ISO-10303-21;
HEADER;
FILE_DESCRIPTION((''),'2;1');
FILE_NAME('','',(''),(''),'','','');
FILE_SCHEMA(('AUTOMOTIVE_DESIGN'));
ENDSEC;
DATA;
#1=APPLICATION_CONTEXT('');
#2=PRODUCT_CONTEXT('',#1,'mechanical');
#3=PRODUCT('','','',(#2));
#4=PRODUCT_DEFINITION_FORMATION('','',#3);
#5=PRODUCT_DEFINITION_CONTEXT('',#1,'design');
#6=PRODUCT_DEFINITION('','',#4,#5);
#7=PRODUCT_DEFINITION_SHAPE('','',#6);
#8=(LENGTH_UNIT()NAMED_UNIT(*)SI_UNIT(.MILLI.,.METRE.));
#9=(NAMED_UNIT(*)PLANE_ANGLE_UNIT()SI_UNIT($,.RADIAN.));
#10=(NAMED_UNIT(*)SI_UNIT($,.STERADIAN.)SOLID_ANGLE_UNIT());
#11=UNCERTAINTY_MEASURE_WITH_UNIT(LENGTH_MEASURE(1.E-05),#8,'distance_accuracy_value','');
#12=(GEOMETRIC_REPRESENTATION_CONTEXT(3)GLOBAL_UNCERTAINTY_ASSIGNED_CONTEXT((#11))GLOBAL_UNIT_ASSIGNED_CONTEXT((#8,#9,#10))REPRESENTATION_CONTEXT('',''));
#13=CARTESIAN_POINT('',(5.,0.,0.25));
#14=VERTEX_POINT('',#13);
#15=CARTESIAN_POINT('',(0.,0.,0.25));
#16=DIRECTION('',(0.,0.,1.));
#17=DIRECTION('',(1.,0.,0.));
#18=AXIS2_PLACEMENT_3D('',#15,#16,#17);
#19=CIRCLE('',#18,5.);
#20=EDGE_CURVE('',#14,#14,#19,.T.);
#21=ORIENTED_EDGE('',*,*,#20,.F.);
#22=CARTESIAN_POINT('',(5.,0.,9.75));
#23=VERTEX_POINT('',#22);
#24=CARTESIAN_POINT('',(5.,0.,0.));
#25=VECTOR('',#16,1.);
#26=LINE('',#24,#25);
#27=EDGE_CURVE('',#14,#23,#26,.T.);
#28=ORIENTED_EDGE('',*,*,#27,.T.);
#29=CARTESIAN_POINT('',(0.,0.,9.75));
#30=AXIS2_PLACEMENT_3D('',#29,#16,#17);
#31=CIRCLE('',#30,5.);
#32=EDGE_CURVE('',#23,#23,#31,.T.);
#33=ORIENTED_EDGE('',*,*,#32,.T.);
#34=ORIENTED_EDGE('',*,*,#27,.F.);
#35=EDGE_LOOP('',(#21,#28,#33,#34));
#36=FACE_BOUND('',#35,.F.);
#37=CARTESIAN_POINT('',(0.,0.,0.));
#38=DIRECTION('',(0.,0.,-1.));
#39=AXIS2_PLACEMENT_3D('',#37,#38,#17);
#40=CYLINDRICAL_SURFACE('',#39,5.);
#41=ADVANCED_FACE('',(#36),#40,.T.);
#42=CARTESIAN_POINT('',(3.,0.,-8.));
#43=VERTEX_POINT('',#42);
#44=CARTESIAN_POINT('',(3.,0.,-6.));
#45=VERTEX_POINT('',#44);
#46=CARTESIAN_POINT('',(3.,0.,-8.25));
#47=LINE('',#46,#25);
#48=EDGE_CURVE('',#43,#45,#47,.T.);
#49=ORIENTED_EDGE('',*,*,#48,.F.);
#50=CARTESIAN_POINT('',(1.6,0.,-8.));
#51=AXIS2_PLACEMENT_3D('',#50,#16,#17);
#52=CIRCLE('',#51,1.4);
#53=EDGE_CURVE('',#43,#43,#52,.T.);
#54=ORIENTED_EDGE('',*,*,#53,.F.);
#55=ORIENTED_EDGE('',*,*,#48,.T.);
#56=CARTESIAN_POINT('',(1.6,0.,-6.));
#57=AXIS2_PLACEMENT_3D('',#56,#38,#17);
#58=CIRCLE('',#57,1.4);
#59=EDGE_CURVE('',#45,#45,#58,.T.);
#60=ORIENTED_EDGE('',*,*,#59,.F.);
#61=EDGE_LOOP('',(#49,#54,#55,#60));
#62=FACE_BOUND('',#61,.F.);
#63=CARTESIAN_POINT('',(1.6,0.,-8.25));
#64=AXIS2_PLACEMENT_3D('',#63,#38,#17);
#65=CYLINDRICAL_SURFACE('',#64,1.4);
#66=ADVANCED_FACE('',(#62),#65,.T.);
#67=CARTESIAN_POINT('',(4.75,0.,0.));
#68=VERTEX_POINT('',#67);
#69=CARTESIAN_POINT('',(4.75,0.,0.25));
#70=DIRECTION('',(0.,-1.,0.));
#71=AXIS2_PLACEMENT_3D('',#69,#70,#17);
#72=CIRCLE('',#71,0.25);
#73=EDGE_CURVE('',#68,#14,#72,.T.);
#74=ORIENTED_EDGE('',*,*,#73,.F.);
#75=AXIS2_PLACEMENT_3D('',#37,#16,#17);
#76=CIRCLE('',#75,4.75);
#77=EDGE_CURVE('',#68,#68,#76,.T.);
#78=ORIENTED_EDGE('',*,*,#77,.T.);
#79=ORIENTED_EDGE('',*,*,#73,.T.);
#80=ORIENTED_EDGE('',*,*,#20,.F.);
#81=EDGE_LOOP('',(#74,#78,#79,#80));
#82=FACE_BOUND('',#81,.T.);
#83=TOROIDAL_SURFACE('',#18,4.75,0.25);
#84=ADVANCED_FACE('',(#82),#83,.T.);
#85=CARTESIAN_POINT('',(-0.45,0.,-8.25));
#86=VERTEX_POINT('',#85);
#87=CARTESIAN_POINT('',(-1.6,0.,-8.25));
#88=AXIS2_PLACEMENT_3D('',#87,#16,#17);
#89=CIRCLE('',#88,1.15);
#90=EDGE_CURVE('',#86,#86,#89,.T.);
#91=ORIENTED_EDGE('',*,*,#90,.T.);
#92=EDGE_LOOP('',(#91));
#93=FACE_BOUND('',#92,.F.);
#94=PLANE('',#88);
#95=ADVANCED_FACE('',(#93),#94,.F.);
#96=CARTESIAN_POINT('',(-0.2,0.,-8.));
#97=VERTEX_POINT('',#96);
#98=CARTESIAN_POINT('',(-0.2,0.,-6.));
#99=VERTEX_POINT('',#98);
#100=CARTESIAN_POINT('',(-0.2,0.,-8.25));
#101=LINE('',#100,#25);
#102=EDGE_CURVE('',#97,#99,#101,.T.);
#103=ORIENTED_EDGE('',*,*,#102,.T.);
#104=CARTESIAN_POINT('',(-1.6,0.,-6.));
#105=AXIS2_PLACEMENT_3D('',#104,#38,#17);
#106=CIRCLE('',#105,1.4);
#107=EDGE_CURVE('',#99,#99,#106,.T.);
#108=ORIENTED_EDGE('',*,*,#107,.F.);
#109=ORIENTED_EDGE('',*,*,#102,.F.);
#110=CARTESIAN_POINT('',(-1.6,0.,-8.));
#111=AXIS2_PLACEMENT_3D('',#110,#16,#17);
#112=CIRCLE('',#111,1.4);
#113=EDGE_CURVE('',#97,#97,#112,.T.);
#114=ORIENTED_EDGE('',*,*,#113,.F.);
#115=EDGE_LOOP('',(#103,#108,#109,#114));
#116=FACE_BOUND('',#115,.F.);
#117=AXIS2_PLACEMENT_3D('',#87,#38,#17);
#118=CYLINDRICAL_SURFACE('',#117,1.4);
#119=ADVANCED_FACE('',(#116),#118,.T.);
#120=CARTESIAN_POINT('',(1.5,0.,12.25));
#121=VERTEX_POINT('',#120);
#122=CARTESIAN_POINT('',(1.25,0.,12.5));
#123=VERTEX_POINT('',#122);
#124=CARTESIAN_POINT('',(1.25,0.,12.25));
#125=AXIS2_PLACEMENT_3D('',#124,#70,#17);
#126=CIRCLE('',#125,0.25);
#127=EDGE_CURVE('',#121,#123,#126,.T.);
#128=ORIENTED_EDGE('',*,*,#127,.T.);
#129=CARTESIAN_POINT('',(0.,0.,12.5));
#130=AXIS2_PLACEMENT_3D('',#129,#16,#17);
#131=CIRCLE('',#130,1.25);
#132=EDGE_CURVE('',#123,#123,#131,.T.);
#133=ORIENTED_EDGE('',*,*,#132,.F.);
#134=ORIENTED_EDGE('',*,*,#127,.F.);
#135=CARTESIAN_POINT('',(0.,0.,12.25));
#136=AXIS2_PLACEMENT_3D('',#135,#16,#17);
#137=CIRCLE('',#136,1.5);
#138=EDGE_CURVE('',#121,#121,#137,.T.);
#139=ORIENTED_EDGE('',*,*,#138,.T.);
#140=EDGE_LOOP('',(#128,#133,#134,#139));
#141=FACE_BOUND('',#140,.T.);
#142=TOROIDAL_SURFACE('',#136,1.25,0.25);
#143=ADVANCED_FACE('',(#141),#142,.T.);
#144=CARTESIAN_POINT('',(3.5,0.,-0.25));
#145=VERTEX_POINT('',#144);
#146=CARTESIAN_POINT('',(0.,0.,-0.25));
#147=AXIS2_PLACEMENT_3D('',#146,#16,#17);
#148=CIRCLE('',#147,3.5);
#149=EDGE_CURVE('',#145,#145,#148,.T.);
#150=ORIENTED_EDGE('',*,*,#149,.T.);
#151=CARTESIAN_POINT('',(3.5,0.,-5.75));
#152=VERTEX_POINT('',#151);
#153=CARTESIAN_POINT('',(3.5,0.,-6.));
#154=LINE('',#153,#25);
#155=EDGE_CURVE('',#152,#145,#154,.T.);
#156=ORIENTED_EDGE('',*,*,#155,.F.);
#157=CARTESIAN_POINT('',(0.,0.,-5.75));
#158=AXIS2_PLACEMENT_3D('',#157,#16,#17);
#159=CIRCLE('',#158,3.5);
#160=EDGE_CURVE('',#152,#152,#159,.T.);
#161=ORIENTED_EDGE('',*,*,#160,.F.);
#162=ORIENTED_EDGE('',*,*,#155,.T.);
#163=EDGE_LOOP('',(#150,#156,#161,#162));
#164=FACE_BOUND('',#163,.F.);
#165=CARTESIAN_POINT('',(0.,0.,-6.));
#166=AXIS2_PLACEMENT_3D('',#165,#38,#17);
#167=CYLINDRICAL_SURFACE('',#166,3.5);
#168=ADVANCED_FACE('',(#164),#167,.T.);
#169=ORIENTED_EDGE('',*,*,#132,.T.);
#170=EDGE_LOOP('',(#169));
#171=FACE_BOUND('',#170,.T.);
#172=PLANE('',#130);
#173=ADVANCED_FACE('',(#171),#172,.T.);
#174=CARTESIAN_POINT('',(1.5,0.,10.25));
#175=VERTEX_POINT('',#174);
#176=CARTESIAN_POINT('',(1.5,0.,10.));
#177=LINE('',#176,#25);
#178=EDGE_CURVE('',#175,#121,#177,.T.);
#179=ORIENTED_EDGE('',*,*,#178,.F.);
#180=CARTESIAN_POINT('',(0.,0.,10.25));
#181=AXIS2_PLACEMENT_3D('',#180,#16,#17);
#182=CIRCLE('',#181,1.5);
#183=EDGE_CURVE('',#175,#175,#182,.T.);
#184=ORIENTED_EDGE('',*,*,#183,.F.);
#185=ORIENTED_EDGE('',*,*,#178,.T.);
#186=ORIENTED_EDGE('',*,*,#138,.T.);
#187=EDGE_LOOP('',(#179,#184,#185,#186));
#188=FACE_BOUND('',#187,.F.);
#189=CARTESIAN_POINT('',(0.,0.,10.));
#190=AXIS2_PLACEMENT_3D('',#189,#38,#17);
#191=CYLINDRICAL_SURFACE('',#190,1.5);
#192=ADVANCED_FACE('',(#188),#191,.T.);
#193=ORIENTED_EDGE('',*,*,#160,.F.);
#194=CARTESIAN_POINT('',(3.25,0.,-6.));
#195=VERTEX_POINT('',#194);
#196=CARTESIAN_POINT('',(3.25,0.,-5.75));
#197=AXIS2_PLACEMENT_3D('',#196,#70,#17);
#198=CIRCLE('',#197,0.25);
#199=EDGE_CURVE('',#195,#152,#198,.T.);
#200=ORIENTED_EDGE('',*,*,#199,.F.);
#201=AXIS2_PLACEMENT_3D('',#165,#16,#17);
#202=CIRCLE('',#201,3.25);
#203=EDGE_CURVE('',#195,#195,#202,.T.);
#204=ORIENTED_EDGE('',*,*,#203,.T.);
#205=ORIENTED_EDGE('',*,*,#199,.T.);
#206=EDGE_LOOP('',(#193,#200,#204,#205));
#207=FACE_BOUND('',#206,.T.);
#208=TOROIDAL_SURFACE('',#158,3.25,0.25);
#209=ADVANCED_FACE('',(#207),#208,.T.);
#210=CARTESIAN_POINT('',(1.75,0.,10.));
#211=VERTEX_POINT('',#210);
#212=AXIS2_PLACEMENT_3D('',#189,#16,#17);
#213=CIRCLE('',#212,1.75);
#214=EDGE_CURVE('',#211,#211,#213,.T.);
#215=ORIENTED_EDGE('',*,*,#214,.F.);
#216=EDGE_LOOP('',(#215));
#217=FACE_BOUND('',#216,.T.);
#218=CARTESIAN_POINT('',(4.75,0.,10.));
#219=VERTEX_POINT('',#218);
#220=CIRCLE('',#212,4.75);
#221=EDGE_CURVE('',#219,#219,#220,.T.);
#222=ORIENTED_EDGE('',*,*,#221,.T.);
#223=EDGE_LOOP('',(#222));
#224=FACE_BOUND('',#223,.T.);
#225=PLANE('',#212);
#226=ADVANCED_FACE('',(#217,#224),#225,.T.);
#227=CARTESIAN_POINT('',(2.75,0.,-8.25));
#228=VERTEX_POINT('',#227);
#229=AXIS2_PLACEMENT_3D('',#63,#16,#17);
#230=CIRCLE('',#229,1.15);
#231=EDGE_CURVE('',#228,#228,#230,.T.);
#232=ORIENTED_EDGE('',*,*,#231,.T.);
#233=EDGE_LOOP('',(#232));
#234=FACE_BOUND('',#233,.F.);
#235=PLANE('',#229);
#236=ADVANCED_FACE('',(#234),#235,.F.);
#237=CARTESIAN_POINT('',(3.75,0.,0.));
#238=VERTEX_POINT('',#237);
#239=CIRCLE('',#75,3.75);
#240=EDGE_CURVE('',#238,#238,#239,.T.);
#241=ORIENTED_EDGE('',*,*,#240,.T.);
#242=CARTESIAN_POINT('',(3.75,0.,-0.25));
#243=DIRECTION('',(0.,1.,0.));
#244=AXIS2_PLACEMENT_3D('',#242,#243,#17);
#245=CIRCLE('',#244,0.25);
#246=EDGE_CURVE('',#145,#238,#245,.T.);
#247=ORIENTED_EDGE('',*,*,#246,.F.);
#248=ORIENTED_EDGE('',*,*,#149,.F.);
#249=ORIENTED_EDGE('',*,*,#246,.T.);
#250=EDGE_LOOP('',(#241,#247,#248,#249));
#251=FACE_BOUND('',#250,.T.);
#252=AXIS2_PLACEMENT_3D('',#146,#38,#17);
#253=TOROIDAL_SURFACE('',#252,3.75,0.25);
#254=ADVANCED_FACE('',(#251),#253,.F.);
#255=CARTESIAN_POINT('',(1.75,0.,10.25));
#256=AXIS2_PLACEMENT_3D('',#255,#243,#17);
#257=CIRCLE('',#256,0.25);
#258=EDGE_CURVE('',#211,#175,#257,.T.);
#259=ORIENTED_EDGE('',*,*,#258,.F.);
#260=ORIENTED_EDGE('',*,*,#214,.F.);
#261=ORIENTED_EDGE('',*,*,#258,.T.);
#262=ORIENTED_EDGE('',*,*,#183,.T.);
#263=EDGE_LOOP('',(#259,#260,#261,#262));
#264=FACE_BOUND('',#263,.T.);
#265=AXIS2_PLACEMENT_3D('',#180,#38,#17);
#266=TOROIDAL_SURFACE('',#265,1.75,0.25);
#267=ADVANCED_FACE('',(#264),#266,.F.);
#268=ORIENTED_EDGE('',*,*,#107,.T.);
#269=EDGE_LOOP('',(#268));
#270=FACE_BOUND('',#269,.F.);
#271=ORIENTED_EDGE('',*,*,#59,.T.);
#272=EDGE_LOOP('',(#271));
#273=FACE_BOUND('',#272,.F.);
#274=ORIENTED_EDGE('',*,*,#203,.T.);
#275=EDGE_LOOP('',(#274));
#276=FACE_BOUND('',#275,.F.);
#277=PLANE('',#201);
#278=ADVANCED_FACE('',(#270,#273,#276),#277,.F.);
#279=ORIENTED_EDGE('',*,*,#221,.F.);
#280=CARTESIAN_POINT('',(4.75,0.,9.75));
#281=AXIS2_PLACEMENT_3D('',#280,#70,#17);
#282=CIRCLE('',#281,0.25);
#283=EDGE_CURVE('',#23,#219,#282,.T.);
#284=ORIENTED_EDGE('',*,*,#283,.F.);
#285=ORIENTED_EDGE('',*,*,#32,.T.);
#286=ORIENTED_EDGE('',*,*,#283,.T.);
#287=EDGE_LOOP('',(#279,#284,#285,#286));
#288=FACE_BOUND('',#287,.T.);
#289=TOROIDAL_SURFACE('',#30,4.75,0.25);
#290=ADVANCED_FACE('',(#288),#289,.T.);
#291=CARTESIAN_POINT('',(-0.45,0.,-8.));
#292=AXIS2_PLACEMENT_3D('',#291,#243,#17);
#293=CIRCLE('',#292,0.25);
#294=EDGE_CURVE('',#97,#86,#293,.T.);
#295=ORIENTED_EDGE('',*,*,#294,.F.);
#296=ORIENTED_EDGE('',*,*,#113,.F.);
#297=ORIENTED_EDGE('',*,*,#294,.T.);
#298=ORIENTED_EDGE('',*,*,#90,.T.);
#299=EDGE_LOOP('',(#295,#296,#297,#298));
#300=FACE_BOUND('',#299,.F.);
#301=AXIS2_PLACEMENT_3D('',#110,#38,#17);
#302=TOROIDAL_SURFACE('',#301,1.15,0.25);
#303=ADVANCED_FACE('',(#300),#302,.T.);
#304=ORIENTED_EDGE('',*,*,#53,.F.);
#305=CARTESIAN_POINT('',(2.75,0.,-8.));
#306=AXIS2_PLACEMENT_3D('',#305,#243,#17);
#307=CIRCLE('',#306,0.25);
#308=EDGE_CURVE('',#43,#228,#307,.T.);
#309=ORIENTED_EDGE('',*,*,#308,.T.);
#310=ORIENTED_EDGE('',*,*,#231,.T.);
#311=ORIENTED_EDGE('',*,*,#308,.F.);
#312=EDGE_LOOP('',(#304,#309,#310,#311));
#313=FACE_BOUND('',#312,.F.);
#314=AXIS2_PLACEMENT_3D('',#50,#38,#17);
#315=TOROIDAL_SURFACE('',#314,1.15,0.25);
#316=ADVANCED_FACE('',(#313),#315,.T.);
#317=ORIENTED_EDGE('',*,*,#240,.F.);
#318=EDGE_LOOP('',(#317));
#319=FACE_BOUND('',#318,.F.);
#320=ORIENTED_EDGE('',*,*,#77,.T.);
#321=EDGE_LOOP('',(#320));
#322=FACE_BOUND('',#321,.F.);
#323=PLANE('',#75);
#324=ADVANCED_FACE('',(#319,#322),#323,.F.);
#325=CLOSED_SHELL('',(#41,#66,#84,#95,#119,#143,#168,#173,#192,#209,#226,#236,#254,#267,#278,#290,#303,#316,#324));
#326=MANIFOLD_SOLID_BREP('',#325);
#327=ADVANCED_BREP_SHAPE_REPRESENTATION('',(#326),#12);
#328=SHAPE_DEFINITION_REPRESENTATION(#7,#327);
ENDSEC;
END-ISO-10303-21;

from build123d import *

# Parameters (mm, degrees)
CYLINDER001_R     = 1.5
CYLINDER001_DEPTH = 2.5
CYLINDER002_R     = 3.5
CYLINDER002_DEPTH = 6
CYLINDER003_R     = 1.4
CYLINDER003_DEPTH = 8.25
CYLINDER004_R     = 1.4
CYLINDER004_DEPTH = 8.25
CYLINDER_R        = 5
CYLINDER_DEPTH    = 10
FILLET_R          = 0.25
FILLET001_R       = 0.25
FILLET002_R       = 0.25
FILLET003_R       = 0.25
FILLET004_R       = 0.25
FILLET005_R       = 0.25
FILLET006_R       = 0.25


with BuildPart() as cylinder001:
    # cylinder001 → cylinder001 (new body)
    with BuildSketch(Plane.XY.offset(10)):
        Circle(CYLINDER001_R)
    extrude(amount=CYLINDER001_DEPTH)


with BuildPart() as cylinder002:
    # cylinder002 → cylinder002 (new body)
    with BuildSketch(Plane.XY.offset(-6)):
        Circle(CYLINDER002_R)
    extrude(amount=CYLINDER002_DEPTH)


with BuildPart() as cylinder003:
    # cylinder003 → cylinder003 (new body)
    with BuildSketch(Plane(origin=(-1.6, 0, -8.25), x_dir=(1, 0, 0), z_dir=(0, 0, 1))):
        Circle(CYLINDER003_R)
    extrude(amount=CYLINDER003_DEPTH)


with BuildPart() as cylinder004:
    # cylinder004 → cylinder004 (new body)
    with BuildSketch(Plane(origin=(1.6, 0, -8.25), x_dir=(1, 0, 0), z_dir=(0, 0, 1))):
        Circle(CYLINDER004_R)
    extrude(amount=CYLINDER004_DEPTH)


with BuildPart() as fillet006:
    # cylinder → cylinder (new body)
    with BuildSketch(Plane.XY):
        Circle(CYLINDER_R)
    extrude(amount=CYLINDER_DEPTH)

    # Group: union cylinder001, cylinder002, cylinder003, cylinder004
    add(cylinder001.part)
    add(cylinder002.part)
    add(cylinder003.part)
    add(cylinder004.part)

    # Fillet
    fillet_edges = [fillet006.edges().sort_by_distance(p)[0] for p in [
        (-3.5, 0, -6),
    ]]
    fillet(fillet_edges, radius=FILLET_R)

    # Fillet001
    fillet001_edges = [fillet006.edges().sort_by_distance(p)[0] for p in [
        (-3, 0, -8.25),
        (0.2, 0, -8.25),
    ]]
    fillet(fillet001_edges, radius=FILLET001_R)

    # Fillet002
    fillet002_edges = [fillet006.edges().sort_by_distance(p)[0] for p in [
        (-3.5, 0, 0),
    ]]
    fillet(fillet002_edges, radius=FILLET002_R)

    # Fillet003
    fillet003_edges = [fillet006.edges().sort_by_distance(p)[0] for p in [
        (-5, 0, 0),
    ]]
    fillet(fillet003_edges, radius=FILLET003_R)

    # Fillet004
    fillet004_edges = [fillet006.edges().sort_by_distance(p)[0] for p in [
        (-5, 0, 10),
    ]]
    fillet(fillet004_edges, radius=FILLET004_R)

    # Fillet005
    fillet005_edges = [fillet006.edges().sort_by_distance(p)[0] for p in [
        (-1.5, 0, 10),
    ]]
    fillet(fillet005_edges, radius=FILLET005_R)

    # Fillet006
    fillet006_edges = [fillet006.edges().sort_by_distance(p)[0] for p in [
        (-1.5, 0, 12.5),
    ]]
    fillet(fillet006_edges, radius=FILLET006_R)


solid = fillet006.part
